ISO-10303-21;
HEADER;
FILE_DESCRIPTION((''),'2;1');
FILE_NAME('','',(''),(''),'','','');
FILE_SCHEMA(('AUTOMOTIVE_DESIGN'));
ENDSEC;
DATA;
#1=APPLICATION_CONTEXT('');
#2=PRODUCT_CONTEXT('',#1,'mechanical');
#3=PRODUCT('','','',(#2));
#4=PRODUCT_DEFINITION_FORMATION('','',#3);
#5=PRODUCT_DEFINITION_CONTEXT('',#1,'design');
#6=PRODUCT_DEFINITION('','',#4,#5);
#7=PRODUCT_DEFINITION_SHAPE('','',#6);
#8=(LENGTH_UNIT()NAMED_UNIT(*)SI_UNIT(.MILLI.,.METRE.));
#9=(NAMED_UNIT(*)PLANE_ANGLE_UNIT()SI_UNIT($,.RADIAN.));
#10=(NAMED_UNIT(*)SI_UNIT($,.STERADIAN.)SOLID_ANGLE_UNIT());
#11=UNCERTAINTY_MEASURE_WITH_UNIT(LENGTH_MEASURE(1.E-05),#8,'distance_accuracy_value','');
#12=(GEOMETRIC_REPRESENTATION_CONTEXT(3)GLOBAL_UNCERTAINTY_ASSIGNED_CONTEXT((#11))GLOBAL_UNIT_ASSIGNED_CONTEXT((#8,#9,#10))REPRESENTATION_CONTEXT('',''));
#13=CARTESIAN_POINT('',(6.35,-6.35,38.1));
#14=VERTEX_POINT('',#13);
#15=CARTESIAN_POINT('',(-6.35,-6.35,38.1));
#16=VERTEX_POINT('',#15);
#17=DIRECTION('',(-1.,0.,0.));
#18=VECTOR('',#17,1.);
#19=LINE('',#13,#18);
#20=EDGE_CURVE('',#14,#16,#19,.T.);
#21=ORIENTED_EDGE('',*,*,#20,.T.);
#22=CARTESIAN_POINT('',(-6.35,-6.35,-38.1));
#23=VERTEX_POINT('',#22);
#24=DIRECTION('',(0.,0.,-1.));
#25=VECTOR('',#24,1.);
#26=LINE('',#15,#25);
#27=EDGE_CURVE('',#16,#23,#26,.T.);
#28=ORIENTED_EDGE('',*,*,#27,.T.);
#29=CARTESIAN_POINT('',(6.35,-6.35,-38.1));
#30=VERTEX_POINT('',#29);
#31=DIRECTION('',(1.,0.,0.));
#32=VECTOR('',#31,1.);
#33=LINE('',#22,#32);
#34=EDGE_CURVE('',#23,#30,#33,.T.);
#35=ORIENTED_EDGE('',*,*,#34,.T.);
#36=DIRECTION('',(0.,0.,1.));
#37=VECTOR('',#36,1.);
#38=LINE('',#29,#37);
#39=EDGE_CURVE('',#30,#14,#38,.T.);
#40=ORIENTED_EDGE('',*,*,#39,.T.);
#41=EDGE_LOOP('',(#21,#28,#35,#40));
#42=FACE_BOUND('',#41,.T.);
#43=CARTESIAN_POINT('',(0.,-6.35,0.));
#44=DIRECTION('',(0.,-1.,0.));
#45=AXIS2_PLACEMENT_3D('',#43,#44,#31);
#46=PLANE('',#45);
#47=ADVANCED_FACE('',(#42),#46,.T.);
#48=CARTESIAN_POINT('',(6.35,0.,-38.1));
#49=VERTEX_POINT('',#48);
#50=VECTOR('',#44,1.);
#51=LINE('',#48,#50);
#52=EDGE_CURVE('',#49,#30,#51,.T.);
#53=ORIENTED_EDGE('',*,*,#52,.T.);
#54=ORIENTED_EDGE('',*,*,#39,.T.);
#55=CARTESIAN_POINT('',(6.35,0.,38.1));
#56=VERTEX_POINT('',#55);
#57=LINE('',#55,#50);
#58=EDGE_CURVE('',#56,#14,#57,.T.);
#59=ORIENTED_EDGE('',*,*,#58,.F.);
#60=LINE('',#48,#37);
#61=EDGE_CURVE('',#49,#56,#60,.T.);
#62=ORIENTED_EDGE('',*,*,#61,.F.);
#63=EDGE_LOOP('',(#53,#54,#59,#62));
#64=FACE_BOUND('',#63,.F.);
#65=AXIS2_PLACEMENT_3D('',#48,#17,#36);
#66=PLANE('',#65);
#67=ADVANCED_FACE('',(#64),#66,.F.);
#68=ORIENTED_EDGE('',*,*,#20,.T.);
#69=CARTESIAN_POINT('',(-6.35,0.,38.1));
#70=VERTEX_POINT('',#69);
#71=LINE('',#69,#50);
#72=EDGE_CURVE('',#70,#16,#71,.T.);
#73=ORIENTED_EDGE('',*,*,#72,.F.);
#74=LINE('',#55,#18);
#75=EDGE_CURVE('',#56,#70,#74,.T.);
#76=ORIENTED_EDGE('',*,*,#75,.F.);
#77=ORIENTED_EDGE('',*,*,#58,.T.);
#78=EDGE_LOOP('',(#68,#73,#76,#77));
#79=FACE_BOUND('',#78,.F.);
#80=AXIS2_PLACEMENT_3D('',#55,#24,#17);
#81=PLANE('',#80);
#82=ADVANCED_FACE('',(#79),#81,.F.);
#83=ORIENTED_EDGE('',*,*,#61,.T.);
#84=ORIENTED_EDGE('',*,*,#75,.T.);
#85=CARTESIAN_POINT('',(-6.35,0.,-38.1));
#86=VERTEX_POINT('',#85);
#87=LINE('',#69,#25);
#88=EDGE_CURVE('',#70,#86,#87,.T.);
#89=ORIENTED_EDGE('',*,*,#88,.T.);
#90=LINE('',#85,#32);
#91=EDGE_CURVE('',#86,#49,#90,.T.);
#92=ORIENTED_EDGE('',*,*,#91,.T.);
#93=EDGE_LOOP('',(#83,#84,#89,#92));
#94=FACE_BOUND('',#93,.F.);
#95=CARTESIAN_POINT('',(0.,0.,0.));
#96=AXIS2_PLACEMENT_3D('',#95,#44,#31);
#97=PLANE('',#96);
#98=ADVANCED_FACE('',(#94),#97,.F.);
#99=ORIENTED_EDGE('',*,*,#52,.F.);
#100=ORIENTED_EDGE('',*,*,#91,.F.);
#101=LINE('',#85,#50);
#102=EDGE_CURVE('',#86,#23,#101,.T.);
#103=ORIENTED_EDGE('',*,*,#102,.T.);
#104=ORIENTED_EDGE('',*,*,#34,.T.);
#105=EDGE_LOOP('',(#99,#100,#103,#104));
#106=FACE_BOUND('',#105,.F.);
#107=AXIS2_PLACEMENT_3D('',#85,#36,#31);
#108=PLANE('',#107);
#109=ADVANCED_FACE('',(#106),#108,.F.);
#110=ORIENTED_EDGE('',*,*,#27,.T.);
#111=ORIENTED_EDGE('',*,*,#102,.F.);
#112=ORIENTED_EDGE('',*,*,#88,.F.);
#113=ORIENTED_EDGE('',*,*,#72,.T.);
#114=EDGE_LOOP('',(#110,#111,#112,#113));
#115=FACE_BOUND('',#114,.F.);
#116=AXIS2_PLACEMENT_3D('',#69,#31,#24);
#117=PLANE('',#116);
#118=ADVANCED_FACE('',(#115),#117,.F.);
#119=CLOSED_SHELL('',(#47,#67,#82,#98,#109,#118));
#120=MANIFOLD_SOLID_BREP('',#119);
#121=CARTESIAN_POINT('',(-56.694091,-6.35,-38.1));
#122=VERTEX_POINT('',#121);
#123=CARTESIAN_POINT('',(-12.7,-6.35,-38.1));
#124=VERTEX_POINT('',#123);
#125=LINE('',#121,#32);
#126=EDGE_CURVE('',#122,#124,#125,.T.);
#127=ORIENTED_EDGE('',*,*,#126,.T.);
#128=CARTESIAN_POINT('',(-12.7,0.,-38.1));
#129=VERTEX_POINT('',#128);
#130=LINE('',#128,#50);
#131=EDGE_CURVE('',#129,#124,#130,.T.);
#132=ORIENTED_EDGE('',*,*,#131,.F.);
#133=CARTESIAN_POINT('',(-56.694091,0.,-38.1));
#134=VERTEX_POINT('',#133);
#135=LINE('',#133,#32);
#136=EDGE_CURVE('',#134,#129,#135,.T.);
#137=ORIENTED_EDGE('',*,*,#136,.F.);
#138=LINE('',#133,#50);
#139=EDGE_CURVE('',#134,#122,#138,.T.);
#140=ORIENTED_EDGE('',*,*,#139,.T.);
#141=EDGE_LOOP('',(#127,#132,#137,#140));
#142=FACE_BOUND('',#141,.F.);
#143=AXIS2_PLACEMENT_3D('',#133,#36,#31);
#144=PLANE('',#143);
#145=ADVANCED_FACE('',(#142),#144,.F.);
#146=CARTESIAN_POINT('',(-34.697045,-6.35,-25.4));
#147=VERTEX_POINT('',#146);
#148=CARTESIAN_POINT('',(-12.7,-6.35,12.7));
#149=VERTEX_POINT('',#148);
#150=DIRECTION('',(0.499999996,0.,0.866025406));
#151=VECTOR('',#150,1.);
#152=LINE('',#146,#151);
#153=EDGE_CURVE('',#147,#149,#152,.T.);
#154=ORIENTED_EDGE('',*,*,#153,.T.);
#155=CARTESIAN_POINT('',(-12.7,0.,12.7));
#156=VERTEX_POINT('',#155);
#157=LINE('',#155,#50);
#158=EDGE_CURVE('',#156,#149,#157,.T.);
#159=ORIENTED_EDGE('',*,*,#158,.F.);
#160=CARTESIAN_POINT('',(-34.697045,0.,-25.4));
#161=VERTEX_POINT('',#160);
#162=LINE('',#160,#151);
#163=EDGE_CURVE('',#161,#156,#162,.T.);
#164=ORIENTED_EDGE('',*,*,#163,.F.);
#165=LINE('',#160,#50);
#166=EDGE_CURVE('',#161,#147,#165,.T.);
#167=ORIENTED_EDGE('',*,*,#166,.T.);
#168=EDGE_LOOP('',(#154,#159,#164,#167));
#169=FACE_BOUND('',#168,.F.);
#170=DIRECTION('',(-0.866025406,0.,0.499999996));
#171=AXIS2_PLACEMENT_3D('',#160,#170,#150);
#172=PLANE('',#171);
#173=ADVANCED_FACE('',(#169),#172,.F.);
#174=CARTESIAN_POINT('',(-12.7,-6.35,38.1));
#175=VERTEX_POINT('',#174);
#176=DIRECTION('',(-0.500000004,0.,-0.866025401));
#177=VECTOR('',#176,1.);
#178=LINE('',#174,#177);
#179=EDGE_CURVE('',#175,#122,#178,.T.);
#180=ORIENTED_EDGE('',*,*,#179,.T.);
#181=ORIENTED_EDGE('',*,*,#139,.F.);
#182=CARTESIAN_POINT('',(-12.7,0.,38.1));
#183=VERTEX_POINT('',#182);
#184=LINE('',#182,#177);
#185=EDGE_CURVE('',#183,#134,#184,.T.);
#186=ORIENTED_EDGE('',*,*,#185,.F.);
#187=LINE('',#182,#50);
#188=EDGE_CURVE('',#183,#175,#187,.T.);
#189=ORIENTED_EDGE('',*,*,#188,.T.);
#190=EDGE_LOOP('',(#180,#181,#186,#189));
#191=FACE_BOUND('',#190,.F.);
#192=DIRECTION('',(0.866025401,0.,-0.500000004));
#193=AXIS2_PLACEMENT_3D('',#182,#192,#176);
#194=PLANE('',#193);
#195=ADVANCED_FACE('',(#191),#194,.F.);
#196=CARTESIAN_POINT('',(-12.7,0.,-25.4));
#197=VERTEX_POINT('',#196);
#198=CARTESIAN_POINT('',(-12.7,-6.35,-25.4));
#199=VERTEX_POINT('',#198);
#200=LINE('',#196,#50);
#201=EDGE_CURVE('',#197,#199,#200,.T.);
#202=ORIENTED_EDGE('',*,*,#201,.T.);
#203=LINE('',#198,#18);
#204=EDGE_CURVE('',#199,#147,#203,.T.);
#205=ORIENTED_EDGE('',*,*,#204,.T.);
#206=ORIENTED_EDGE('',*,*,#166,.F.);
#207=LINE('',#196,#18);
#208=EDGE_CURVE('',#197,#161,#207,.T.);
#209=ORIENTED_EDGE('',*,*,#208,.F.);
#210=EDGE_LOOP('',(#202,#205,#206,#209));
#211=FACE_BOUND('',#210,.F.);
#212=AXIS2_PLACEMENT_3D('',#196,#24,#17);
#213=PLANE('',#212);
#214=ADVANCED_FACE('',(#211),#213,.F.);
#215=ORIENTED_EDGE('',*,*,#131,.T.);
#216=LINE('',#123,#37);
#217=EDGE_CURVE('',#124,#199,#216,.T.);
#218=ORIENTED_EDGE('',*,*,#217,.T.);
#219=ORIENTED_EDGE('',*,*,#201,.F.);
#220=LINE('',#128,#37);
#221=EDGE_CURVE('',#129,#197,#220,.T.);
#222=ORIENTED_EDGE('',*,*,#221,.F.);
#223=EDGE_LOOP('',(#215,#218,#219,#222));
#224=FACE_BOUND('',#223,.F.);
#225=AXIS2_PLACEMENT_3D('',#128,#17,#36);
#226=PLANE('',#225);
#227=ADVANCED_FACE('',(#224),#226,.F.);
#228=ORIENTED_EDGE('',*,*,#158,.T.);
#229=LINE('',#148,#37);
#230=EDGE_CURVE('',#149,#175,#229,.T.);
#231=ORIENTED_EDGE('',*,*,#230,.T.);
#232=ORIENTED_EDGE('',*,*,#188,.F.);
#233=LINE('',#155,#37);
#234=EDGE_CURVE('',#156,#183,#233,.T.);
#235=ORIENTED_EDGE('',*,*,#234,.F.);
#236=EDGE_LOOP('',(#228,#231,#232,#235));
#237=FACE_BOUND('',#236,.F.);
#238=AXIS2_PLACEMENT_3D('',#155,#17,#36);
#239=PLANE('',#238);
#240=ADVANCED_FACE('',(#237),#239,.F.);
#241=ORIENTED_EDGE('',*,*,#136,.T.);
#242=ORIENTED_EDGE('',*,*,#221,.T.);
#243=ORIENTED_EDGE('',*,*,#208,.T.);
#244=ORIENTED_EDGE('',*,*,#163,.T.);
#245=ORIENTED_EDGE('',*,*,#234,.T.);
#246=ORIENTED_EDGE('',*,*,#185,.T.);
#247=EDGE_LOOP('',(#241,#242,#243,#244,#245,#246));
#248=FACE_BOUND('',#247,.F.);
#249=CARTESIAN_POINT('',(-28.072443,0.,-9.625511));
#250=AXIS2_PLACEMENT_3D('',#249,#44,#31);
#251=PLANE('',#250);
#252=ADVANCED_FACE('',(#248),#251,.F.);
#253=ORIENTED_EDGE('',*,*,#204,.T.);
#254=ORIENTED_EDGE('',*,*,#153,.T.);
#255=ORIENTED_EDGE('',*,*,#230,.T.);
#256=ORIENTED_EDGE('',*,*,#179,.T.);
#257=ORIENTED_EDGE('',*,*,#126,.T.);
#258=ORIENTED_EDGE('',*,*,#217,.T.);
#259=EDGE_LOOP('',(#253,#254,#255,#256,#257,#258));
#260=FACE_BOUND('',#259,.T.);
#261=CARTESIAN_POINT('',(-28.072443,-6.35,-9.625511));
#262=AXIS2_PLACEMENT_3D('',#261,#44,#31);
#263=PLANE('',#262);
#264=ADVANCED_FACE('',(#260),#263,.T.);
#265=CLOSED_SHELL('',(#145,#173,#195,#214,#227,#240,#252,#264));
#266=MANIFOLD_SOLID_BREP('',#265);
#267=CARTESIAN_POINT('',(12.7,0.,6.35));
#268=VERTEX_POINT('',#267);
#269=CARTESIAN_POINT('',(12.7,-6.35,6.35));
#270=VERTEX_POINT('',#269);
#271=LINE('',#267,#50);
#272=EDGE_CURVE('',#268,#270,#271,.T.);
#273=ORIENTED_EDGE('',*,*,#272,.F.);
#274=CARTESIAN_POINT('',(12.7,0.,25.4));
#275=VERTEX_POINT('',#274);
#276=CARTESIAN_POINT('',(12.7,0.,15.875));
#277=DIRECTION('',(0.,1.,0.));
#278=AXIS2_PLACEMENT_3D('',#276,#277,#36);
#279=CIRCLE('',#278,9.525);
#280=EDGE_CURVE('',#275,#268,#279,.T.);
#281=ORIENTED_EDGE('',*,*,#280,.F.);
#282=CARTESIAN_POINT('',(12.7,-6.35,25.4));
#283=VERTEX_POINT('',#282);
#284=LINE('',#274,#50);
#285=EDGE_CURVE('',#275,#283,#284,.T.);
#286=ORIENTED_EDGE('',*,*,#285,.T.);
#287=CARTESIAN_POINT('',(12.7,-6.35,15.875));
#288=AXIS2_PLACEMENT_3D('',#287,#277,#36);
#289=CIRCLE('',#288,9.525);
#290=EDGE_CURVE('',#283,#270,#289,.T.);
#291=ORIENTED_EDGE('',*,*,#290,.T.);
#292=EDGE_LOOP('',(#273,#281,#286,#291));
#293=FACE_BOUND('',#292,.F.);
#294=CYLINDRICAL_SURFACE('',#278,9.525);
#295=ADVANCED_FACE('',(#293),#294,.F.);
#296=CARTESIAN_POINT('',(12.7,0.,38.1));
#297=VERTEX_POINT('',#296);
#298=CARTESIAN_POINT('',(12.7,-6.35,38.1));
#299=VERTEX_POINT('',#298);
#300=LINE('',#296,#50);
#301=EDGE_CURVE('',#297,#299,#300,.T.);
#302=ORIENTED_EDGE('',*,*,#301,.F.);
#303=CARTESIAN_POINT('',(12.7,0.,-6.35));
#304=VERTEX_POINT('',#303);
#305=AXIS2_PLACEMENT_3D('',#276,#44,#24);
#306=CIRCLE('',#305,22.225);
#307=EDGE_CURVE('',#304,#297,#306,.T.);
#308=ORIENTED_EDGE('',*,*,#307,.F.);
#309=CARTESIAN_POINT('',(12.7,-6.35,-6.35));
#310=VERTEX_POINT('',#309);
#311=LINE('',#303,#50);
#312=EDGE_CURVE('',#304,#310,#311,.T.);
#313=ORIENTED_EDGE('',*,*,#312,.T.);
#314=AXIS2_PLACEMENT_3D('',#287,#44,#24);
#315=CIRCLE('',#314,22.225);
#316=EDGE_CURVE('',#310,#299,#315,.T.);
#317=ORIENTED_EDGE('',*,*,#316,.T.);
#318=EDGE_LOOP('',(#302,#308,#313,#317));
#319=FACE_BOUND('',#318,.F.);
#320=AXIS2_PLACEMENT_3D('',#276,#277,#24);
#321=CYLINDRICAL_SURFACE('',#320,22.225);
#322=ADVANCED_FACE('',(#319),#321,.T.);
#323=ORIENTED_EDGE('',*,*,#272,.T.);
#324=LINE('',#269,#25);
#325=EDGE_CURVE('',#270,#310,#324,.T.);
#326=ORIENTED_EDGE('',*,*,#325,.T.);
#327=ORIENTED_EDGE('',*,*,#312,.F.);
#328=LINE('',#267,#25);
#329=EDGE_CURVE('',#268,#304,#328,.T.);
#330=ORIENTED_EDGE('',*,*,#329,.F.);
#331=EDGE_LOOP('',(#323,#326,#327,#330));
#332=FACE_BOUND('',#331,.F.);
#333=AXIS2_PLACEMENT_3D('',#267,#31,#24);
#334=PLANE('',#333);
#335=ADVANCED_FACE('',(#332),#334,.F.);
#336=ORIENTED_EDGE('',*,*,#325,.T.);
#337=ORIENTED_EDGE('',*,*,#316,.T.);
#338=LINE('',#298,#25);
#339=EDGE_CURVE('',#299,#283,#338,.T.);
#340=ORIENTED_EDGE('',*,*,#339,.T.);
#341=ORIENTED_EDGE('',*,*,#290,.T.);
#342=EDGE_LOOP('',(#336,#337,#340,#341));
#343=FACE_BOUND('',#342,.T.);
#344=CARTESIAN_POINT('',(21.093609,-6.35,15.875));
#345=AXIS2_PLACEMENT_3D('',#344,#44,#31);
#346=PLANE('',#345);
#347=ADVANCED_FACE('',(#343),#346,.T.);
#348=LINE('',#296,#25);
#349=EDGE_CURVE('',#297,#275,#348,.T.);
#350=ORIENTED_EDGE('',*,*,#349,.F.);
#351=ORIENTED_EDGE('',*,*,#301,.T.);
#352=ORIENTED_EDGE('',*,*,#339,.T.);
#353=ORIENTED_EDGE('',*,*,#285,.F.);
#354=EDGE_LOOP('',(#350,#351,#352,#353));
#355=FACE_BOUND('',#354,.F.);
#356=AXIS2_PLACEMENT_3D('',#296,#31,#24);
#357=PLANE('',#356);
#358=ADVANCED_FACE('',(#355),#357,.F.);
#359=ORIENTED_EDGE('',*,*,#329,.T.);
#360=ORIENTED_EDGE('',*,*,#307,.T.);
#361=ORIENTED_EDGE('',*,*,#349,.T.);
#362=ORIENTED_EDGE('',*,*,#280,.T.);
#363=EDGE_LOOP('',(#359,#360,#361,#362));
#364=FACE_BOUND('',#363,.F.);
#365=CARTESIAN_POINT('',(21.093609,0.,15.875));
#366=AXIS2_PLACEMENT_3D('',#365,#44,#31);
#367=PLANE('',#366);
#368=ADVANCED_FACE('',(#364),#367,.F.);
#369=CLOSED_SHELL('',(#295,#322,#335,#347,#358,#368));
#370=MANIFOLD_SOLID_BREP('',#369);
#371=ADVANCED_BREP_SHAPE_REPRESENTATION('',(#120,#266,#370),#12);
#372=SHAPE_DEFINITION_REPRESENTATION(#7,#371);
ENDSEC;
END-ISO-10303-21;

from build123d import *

# Parameters (mm, degrees)
F1_DEPTH = 6.35


with BuildPart() as f1:
    # F0 (on Front) → F1 (new body)
    with BuildSketch(Plane.XZ):
        Polygon((-12.7, 12.7), (-12.7, 38.1), (-56.694091, -38.1), (-12.7, -38.1), (-12.7, -25.4), (-34.697045, -25.4), align=None)
        Polygon((6.35, 38.1), (-6.35, 38.1), (-6.35, 12.7), (-6.35, -25.4), (-6.35, -38.1), (6.35, -38.1), (6.35, -6.35), (6.35, 6.35), (6.35, 25.4), align=None)
        with BuildLine():
            ThreePointArc((12.7, -6.35), (34.925, 15.875), (12.7, 38.1))
            Line((12.7, 38.1), (12.7, 25.4))
            ThreePointArc((12.7, 25.4), (22.225, 15.875), (12.7, 6.35))
            Line((12.7, 6.35), (12.7, -6.35))
        make_face()
    extrude(amount=F1_DEPTH)


solid = f1.part
